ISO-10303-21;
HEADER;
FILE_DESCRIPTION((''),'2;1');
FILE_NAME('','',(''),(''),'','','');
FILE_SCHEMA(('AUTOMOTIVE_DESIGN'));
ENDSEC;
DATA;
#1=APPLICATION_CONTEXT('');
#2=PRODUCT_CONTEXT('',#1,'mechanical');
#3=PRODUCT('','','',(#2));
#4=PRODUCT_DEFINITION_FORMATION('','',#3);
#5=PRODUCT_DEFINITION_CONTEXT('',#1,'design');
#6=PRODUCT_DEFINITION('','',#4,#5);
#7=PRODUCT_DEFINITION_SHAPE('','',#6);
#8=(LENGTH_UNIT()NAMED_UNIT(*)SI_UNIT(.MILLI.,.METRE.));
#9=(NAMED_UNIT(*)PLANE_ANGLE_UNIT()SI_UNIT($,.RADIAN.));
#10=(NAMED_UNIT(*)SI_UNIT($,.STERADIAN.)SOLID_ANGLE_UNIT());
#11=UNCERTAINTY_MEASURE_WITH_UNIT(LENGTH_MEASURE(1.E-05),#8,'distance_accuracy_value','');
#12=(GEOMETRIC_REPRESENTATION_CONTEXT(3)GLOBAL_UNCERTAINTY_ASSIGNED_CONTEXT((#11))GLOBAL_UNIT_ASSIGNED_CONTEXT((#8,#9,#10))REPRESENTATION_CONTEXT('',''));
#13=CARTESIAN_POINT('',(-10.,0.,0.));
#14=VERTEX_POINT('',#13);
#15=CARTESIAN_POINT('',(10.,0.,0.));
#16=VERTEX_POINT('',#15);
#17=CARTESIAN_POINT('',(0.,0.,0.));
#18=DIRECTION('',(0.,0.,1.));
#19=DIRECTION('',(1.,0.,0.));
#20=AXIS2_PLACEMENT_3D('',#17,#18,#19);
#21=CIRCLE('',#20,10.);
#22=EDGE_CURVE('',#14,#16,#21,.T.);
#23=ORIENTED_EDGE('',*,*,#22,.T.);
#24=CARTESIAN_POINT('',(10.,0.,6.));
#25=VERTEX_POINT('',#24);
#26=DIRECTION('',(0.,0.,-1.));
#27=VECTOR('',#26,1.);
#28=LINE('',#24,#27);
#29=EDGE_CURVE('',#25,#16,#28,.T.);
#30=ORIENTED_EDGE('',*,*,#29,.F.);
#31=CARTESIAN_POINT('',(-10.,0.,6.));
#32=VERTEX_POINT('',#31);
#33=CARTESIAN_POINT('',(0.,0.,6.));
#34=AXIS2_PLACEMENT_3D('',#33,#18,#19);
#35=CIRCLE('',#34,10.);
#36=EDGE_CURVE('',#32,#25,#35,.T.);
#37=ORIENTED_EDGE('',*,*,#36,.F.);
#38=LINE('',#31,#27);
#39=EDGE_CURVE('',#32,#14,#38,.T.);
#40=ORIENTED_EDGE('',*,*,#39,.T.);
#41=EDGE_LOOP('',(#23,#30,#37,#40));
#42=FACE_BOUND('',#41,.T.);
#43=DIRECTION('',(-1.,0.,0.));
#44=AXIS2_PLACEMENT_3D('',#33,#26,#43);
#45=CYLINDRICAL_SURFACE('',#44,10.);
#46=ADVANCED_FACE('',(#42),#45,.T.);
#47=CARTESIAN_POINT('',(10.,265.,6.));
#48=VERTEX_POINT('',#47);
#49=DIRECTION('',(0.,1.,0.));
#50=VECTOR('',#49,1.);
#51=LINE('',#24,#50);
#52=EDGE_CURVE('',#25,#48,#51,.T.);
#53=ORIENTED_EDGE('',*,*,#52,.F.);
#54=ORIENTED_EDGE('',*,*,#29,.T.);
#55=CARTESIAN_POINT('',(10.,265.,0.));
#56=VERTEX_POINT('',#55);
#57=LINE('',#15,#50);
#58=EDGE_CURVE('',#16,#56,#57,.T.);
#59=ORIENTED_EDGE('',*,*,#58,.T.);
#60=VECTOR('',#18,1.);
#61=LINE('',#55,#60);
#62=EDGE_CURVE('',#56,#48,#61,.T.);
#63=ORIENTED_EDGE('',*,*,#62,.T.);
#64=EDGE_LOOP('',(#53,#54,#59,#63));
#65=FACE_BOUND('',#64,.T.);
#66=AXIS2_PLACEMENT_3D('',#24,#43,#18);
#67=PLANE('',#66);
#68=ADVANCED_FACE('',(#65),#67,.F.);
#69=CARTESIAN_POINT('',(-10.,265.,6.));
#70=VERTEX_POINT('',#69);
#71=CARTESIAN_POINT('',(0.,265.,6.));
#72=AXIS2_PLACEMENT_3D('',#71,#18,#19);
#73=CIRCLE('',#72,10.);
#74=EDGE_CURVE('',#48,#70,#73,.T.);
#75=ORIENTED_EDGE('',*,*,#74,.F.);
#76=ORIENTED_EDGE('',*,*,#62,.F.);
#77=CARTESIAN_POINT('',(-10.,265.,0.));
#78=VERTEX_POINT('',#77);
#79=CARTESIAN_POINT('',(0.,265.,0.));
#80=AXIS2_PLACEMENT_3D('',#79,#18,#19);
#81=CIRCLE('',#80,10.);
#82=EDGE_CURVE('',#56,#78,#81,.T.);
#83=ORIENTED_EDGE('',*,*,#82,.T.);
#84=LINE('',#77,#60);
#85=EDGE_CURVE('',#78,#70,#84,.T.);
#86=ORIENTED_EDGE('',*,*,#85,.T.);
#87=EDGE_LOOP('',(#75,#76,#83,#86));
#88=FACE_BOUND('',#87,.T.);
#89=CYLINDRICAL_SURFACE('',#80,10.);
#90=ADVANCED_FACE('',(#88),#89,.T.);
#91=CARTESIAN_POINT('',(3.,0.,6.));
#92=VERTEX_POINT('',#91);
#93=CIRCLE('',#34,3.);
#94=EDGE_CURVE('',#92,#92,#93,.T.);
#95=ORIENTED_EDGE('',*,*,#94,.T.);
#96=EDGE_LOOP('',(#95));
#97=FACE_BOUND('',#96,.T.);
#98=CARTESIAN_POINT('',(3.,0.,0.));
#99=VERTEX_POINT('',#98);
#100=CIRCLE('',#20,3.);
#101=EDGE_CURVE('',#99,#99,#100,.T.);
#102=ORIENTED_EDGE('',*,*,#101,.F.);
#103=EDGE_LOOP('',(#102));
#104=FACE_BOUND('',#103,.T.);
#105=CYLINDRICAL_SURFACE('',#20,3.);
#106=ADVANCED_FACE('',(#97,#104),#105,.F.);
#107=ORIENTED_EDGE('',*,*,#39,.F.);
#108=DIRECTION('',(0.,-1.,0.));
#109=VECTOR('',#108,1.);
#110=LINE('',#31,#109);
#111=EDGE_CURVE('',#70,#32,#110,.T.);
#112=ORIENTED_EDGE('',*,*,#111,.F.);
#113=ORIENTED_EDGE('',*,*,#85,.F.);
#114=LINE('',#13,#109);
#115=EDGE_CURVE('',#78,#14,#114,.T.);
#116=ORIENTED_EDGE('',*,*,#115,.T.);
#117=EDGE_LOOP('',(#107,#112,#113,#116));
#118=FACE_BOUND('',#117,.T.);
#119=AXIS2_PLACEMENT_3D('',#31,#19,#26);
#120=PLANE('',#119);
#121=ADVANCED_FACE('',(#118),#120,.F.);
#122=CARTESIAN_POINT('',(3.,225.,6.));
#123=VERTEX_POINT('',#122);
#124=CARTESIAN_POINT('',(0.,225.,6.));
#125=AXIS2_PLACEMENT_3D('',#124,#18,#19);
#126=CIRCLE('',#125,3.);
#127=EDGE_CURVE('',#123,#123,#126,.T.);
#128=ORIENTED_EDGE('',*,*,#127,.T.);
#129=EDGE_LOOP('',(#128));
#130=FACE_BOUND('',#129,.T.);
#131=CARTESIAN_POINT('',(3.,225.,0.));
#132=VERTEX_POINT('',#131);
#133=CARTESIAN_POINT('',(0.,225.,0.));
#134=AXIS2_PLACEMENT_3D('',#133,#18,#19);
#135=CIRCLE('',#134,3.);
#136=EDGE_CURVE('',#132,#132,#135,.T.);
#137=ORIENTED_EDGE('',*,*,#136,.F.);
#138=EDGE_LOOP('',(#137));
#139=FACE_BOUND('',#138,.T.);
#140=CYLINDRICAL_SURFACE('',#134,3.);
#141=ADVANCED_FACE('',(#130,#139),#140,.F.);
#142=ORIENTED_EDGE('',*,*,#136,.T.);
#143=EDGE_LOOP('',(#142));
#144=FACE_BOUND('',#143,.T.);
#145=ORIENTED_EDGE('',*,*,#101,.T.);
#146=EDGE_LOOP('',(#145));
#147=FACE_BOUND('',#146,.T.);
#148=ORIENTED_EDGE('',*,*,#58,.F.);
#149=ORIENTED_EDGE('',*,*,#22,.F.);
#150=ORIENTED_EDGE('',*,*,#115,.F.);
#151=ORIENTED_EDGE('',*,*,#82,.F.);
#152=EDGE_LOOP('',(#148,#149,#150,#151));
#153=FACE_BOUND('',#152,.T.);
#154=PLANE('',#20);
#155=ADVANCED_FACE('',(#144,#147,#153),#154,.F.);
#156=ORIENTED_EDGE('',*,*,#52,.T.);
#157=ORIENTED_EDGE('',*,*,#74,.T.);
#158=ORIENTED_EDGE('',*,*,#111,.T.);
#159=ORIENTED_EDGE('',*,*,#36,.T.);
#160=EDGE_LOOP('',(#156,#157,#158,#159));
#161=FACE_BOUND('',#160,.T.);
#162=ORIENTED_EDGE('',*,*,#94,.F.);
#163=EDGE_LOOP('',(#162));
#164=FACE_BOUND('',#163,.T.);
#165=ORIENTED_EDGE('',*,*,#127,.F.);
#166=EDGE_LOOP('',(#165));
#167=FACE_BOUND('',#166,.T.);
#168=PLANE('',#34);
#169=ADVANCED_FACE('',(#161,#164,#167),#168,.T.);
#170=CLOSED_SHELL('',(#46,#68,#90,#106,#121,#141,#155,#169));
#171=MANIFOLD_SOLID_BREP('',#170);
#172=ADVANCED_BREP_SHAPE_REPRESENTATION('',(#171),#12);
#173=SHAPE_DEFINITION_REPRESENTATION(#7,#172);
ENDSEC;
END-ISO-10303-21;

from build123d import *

# Parameters (mm, degrees)
BOSS_EXTRUDE1_DEPTH = 6
SKETCH2_R           = 3
CUT_EXTRUDE1_DEPTH  = 236.289183772
BOSS_EXTRUDE2_START = -6
BOSS_EXTRUDE2_DEPTH = 6


with BuildPart() as part:
    # Sketch1 → Boss-Extrude1 (new body)
    with BuildSketch(Plane.XY):
        with BuildLine():
            Line((-10, 0), (-10, 225))
            ThreePointArc((-10, 225), (0, 235), (10, 225))
            Line((10, 225), (10, 0))
            ThreePointArc((10, 0), (0, -10), (-10, 0))
        make_face()
    extrude(amount=BOSS_EXTRUDE1_DEPTH)

    # Sketch2 → Cut-Extrude1 (cut, through all)
    with BuildSketch(Plane.XY.offset(6)):
        with Locations((0, 225)):
            Circle(SKETCH2_R)
        Circle(SKETCH2_R)
    extrude(amount=-CUT_EXTRUDE1_DEPTH, mode=Mode.SUBTRACT)

    # Sketch3 → Boss-Extrude2 (add)
    with BuildSketch(Plane.XY.offset(6).offset(BOSS_EXTRUDE2_START)):
        with BuildLine():
            Line((-10, 225), (-10, 265))
            ThreePointArc((-10, 265), (0, 275), (10, 265))
            Line((10, 265), (10, 225))
            ThreePointArc((10, 225), (0, 235), (-10, 225))
        make_face()
    extrude(amount=BOSS_EXTRUDE2_DEPTH)


solid = part.part
